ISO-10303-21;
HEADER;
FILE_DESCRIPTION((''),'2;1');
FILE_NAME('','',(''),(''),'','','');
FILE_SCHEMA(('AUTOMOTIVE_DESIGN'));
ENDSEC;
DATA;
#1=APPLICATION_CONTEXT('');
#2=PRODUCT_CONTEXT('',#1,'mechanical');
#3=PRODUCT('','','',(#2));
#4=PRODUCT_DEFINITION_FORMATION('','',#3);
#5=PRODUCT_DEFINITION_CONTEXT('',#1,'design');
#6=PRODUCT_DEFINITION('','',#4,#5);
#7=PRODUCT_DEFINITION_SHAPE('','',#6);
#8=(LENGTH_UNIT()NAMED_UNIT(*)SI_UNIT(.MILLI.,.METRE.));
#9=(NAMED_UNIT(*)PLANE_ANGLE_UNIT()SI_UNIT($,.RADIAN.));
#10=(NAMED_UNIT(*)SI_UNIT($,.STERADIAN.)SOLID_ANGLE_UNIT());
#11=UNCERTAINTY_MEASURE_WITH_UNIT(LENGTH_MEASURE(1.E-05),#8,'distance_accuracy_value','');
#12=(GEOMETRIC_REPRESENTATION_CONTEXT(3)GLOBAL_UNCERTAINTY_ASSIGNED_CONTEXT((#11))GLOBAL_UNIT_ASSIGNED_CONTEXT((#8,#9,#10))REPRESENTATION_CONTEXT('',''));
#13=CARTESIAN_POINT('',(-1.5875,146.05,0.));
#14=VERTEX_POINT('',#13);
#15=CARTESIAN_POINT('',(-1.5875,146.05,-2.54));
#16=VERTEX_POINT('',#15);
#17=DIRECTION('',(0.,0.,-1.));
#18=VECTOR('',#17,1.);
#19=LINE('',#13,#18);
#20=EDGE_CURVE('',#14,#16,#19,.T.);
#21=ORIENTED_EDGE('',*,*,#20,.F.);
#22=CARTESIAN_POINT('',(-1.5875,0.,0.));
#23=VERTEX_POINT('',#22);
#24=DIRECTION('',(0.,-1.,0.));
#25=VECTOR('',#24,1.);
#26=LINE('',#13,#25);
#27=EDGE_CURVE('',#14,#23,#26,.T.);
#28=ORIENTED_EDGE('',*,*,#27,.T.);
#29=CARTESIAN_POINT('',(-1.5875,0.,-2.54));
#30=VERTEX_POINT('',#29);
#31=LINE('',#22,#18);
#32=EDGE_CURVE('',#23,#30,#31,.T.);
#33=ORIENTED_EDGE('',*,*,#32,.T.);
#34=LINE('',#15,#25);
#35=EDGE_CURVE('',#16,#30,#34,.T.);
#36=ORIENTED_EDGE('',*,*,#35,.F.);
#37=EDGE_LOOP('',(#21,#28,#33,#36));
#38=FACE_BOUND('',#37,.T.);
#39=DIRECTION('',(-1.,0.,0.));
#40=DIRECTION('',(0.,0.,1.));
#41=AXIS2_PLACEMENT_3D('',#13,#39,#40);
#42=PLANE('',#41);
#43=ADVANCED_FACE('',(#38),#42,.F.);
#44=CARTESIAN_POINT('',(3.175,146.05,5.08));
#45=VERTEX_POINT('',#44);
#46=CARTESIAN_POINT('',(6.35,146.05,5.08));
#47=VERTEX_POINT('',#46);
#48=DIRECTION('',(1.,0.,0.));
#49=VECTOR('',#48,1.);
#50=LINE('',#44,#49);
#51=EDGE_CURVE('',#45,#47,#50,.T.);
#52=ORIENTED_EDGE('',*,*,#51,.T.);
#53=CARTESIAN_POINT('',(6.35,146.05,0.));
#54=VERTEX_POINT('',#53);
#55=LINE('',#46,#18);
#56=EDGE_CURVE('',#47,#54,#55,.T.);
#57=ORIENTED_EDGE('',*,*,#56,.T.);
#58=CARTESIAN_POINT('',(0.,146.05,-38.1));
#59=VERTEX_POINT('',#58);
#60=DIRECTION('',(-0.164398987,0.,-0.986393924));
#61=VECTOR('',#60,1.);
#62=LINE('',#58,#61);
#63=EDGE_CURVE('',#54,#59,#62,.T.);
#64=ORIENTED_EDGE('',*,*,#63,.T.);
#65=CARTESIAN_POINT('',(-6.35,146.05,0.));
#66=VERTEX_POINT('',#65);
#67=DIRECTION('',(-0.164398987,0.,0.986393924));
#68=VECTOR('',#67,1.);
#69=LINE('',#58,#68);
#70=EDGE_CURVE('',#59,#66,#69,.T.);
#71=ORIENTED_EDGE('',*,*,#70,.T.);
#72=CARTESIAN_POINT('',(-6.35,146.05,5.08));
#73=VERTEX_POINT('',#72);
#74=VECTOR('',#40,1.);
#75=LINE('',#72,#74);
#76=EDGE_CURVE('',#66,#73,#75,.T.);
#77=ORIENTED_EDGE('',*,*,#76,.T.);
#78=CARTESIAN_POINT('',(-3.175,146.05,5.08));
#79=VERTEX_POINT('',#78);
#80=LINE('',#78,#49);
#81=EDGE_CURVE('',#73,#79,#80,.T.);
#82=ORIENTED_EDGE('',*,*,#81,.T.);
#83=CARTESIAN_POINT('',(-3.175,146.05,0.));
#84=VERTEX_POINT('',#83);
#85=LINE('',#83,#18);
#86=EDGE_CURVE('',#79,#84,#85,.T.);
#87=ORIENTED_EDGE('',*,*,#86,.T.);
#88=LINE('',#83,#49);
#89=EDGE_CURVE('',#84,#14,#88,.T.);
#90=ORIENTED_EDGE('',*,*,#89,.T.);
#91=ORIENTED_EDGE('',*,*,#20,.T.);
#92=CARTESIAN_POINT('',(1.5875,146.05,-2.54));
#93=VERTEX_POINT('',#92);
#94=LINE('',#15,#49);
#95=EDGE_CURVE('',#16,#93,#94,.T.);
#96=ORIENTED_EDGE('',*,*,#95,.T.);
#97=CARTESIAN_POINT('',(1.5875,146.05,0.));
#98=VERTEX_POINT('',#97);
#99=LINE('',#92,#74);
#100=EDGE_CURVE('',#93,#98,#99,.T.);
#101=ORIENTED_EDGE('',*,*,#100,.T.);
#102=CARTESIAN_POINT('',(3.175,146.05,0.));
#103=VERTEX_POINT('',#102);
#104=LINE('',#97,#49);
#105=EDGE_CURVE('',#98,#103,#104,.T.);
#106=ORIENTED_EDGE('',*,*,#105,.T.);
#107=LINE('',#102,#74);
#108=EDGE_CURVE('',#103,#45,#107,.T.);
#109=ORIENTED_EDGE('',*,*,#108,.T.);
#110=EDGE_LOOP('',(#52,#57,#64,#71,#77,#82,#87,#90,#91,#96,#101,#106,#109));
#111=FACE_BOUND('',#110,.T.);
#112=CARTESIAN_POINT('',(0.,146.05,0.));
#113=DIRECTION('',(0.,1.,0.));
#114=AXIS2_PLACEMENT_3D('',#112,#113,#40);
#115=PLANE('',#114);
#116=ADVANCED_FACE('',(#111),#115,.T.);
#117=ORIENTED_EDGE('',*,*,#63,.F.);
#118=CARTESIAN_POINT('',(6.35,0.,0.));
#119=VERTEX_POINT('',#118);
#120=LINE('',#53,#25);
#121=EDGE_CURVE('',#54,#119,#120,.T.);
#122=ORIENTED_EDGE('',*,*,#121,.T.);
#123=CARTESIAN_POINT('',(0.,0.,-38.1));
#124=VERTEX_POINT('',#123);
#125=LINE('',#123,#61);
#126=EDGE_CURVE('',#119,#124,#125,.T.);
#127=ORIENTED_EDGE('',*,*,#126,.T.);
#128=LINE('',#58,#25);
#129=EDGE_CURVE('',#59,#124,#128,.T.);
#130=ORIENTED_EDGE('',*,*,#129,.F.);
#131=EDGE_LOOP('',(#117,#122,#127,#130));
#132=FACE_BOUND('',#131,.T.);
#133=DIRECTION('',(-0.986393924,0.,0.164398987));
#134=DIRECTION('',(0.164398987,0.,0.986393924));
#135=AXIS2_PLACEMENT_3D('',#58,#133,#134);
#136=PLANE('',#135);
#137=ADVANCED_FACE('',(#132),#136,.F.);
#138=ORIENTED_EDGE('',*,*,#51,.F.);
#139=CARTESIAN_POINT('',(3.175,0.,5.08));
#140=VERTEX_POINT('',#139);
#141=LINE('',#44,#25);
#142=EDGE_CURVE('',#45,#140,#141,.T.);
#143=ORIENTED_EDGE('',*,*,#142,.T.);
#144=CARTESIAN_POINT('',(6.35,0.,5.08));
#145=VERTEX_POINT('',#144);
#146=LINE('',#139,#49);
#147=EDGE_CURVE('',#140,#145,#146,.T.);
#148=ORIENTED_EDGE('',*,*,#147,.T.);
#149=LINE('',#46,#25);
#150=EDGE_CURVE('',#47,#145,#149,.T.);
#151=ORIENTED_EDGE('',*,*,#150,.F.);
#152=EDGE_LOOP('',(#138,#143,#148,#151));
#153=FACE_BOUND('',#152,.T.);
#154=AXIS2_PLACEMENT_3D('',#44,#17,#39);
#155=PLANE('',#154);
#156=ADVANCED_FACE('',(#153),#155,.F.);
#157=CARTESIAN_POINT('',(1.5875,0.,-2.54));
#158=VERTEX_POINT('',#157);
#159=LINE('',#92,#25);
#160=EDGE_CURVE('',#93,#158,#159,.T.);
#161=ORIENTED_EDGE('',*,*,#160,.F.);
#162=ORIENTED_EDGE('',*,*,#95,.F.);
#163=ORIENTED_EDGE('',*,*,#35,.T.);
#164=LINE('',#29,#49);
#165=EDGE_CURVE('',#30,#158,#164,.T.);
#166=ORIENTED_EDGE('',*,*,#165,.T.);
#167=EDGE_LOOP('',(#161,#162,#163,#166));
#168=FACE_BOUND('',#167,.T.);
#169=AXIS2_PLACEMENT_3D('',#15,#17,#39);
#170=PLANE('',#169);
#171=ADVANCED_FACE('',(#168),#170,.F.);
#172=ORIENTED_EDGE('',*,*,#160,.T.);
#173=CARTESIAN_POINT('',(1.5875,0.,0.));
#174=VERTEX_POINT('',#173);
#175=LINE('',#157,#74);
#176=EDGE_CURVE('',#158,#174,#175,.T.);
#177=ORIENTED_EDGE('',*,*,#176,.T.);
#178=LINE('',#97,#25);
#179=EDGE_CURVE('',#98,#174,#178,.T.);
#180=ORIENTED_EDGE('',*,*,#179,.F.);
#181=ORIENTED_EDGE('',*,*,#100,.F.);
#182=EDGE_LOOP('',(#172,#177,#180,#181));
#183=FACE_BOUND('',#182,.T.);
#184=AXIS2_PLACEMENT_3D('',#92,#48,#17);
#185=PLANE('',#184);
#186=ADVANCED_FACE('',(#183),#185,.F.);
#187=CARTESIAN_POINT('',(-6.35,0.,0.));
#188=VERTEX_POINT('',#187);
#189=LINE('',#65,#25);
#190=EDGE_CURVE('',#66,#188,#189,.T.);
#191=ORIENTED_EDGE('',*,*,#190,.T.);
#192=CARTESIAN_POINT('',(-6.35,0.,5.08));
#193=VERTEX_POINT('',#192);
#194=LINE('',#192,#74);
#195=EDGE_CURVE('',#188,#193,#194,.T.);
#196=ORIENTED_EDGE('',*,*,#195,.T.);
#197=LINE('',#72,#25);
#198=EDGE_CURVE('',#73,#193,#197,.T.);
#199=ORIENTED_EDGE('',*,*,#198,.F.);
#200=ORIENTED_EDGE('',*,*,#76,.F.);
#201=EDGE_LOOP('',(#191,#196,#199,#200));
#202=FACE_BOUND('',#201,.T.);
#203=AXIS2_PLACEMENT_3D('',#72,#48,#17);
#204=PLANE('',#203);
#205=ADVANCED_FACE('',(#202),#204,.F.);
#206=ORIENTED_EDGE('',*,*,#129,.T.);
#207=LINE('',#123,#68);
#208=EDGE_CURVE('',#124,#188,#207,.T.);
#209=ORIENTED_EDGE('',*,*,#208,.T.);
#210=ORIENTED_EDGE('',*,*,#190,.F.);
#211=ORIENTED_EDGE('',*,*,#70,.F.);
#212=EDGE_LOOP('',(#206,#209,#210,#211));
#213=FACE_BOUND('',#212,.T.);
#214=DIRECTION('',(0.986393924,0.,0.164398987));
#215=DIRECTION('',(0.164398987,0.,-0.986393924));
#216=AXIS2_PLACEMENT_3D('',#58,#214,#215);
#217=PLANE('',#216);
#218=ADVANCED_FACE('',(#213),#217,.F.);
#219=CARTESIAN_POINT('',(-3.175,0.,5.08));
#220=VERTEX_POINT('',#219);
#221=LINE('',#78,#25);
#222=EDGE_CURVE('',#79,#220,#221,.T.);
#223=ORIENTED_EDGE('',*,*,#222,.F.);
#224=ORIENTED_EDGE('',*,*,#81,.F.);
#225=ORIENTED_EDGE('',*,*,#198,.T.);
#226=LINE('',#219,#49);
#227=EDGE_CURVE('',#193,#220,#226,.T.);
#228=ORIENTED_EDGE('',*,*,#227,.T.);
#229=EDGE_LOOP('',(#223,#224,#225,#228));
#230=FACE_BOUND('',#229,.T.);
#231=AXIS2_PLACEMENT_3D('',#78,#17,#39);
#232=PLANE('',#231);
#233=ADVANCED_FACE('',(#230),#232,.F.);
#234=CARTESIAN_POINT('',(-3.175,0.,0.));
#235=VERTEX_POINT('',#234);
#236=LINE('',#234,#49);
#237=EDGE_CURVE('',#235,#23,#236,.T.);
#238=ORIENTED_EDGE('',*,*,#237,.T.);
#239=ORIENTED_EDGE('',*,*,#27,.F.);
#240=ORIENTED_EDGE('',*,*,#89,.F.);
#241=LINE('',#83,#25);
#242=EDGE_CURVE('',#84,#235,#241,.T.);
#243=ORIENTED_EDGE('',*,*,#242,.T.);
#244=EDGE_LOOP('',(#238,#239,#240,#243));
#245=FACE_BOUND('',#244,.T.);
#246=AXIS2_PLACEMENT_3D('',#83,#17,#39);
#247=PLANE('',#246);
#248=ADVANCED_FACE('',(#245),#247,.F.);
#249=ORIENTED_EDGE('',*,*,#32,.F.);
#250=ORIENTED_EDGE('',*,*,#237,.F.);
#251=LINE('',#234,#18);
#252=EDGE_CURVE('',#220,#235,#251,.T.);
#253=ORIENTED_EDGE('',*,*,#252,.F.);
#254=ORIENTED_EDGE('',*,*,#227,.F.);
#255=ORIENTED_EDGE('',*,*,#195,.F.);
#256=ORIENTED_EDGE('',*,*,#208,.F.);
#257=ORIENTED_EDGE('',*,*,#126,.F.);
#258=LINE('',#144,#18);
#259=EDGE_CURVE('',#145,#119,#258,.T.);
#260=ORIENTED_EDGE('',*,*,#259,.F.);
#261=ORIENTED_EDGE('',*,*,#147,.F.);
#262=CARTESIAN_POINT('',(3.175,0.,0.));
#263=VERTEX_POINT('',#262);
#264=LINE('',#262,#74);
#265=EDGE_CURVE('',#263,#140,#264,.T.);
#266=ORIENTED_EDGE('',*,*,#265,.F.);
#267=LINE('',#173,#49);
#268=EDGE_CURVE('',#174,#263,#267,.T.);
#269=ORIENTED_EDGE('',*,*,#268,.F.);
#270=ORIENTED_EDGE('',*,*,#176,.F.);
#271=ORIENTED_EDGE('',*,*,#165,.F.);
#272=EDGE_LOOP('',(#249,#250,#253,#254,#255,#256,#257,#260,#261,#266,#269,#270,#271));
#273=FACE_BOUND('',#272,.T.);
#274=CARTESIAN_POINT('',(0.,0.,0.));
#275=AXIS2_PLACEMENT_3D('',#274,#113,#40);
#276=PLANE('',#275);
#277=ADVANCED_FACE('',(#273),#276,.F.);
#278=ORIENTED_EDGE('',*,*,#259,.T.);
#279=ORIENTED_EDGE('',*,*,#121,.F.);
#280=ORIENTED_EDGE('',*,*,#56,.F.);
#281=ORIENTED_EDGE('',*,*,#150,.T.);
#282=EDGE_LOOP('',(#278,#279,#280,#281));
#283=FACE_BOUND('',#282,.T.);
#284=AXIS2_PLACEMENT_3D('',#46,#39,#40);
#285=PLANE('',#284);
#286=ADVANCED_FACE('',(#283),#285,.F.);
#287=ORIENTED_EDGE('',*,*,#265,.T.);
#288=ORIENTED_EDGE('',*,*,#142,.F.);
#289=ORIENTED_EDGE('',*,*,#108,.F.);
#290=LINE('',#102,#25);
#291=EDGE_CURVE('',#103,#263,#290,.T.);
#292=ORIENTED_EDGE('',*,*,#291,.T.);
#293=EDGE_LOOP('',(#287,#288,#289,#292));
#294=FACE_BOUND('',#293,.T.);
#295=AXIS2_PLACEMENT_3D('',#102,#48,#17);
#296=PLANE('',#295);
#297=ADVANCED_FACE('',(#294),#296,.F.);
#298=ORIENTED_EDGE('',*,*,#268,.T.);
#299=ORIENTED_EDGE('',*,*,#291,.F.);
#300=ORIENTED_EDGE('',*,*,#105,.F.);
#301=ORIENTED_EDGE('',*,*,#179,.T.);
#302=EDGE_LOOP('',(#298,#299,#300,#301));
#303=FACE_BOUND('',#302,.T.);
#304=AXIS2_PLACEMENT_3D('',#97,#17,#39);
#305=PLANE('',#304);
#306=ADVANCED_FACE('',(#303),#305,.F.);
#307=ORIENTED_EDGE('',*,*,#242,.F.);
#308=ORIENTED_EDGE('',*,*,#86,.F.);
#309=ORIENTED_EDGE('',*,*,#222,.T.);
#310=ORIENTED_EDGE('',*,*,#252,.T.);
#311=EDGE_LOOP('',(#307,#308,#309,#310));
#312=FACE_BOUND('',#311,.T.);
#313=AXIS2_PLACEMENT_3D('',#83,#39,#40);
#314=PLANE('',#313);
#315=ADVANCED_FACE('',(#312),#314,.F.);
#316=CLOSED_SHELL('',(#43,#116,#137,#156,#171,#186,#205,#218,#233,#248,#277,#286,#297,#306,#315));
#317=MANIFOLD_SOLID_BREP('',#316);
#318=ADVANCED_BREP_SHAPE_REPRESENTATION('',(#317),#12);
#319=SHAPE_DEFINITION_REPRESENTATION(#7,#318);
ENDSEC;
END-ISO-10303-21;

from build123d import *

# Parameters (mm, degrees)
BOSS_EXTRUDE1_DEPTH = 146.05


with BuildPart() as part:
    # Sketch1 → Boss-Extrude1 (new body)
    with BuildSketch(Plane(origin=(0, 0, 0), x_dir=(1, 0, 0), z_dir=(0, 1, 0))):
        Polygon((0, 38.1), (-6.35, 0), (-6.35, -5.08), (-3.175, -5.08), (-3.175, 0), (-1.5875, 0), (-1.5875, 2.54), (1.5875, 2.54), (1.5875, 0), (3.175, 0), (3.175, -5.08), (6.35, -5.08), (6.35, 0), align=None)
    extrude(amount=BOSS_EXTRUDE1_DEPTH)


solid = part.part
